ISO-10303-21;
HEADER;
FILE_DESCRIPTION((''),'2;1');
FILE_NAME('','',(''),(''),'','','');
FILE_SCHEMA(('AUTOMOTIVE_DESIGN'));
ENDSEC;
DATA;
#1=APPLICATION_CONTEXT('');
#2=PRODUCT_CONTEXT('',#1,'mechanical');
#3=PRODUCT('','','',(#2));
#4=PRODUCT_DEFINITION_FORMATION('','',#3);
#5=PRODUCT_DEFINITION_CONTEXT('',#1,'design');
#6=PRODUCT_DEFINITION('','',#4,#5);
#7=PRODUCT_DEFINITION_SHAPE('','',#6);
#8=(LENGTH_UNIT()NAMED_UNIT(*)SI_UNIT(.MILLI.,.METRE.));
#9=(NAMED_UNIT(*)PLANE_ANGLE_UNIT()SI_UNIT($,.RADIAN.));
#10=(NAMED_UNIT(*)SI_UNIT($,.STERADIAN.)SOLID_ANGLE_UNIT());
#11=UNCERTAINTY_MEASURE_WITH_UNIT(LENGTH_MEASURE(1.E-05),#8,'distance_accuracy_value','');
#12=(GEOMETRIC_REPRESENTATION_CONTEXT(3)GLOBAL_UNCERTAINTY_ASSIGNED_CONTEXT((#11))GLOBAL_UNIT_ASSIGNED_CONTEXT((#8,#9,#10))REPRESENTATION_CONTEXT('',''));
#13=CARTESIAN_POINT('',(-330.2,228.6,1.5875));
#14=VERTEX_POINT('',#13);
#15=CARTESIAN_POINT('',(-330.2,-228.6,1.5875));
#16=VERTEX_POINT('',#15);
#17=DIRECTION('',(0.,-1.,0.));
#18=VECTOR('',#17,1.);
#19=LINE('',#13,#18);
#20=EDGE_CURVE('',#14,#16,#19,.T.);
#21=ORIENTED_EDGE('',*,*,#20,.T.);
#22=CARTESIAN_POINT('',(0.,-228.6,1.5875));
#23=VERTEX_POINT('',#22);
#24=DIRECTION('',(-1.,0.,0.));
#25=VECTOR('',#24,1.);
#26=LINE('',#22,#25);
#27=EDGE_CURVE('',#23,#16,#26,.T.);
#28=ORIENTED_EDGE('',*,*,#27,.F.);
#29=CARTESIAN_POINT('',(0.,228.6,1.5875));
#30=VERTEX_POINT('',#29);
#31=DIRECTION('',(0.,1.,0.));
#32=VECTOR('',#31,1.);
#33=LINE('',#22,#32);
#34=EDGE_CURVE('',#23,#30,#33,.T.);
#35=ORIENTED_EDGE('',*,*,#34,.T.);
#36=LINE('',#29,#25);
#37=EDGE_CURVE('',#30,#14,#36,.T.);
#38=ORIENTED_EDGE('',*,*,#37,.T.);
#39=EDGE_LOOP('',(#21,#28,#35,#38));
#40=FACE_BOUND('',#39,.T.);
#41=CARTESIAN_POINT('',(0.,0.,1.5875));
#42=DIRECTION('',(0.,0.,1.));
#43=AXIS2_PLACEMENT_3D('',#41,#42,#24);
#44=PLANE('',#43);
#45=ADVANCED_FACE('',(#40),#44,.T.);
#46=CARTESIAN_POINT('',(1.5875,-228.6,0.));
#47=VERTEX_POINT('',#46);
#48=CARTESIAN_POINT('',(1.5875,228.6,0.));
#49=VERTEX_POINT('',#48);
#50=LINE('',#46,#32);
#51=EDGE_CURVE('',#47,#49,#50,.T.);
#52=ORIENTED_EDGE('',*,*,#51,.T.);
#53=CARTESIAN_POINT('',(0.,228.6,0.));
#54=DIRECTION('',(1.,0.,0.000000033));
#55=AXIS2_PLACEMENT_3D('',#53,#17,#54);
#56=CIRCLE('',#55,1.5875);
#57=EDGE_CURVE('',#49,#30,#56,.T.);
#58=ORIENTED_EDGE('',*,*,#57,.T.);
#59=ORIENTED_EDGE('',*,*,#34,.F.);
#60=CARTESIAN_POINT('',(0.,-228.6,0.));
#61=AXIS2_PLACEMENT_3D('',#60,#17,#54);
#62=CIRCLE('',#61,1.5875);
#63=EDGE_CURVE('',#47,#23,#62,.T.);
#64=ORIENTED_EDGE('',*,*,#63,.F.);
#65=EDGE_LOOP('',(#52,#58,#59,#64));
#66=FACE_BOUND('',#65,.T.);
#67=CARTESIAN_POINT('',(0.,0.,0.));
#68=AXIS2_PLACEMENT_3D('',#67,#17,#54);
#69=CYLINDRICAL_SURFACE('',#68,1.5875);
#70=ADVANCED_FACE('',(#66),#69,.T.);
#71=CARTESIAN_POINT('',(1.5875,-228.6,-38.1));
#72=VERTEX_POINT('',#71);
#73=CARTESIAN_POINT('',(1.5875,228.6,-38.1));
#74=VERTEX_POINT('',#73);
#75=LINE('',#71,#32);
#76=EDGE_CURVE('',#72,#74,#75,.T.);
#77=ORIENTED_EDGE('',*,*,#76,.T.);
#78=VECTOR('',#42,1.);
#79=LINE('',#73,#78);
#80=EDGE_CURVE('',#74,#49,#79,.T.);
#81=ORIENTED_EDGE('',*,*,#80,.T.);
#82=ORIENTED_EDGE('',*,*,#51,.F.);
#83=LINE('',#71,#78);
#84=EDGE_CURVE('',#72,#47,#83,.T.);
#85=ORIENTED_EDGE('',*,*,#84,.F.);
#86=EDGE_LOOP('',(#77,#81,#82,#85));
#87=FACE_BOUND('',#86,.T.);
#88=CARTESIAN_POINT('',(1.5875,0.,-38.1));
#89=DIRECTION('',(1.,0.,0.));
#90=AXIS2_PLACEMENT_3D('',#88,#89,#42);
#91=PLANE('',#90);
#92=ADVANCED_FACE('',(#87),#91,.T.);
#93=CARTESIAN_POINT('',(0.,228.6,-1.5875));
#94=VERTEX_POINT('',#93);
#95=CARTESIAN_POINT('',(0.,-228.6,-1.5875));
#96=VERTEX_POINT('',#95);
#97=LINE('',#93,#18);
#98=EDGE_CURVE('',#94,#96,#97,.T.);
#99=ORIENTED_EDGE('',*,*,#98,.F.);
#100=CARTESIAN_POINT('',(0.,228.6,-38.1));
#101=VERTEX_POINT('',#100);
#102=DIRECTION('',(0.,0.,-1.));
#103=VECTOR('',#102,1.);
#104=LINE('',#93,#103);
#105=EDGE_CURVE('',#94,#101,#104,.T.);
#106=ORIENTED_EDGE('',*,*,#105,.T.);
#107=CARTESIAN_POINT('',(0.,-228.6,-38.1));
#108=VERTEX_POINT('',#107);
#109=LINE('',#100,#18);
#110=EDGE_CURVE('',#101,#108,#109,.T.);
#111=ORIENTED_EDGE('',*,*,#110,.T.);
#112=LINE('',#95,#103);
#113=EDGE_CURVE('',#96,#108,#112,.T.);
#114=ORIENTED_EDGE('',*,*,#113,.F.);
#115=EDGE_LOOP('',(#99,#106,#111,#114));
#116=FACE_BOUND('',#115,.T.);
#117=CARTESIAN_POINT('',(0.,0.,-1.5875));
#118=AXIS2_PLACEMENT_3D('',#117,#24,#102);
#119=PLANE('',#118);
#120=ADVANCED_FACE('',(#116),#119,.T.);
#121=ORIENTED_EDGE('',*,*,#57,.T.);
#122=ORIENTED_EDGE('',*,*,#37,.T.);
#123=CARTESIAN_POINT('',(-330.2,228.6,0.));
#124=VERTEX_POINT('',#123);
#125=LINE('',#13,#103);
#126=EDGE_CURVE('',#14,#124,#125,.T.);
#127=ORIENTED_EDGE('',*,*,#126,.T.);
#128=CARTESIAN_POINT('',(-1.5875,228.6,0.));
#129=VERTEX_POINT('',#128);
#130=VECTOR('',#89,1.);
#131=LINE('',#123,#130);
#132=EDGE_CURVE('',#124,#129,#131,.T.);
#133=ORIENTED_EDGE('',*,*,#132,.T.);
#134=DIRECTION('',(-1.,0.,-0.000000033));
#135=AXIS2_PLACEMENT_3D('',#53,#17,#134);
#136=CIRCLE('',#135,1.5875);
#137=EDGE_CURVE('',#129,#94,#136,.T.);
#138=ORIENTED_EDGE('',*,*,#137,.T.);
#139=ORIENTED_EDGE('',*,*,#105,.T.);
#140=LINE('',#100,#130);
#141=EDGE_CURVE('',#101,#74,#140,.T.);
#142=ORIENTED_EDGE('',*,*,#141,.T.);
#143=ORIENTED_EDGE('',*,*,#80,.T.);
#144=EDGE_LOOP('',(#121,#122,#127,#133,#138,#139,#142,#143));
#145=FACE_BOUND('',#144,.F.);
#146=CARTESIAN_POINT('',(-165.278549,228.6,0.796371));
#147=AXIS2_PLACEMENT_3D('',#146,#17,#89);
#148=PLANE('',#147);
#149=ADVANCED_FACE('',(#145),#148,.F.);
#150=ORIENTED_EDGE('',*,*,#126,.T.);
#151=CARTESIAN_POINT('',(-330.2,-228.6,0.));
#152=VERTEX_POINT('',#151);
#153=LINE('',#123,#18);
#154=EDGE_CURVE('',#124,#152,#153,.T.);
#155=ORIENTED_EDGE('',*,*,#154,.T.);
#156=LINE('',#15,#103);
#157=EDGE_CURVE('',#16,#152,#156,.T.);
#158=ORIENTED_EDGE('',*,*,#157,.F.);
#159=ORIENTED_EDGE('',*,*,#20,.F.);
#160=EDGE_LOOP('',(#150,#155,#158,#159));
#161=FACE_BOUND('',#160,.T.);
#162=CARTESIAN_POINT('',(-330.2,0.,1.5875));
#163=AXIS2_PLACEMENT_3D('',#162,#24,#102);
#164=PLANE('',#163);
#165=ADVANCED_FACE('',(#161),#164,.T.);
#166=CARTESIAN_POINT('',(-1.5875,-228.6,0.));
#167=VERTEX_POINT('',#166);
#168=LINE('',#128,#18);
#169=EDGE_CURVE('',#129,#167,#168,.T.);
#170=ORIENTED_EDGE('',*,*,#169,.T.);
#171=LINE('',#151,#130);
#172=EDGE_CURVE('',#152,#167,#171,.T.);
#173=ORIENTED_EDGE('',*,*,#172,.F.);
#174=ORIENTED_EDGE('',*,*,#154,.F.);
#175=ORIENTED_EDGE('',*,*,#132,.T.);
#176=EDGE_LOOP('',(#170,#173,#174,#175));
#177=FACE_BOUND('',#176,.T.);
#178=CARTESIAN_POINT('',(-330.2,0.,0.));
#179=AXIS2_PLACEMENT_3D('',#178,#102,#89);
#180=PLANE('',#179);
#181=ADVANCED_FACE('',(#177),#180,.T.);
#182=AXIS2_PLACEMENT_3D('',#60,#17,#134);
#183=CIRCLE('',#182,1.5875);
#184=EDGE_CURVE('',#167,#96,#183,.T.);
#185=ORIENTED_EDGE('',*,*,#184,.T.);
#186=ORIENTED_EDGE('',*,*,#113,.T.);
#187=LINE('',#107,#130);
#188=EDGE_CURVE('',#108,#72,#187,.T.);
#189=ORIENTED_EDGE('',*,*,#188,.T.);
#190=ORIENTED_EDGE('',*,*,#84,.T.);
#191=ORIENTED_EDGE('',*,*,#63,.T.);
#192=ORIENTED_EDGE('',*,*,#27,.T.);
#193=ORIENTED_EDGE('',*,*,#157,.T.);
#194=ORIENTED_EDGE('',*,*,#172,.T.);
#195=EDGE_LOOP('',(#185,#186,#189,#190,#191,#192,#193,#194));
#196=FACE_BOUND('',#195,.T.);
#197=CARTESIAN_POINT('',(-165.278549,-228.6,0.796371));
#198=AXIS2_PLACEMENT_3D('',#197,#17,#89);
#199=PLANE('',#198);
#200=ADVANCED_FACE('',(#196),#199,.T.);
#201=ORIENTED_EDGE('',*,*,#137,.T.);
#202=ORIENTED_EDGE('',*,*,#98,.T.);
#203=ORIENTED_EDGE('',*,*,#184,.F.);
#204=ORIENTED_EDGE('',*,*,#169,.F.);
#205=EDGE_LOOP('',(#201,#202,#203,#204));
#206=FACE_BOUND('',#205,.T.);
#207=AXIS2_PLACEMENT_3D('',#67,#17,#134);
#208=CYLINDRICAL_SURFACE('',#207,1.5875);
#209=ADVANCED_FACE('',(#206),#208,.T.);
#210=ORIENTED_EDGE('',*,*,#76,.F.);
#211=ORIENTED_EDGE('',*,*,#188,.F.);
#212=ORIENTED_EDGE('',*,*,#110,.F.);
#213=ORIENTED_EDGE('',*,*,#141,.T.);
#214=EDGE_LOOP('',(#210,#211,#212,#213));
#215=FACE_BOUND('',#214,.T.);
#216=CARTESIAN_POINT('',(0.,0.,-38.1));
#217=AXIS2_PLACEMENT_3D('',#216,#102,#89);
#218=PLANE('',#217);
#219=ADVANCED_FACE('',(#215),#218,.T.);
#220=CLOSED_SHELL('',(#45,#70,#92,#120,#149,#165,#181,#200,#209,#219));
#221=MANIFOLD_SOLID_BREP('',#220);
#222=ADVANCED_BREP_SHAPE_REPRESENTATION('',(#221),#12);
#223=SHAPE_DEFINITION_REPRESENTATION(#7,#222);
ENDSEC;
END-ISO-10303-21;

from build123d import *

# Parameters (mm, degrees)
F1_DEPTH = 228.6


with BuildPart() as f1:
    # F0 (on Front) → F1 (new body, symmetric)
    with BuildSketch(Plane.XZ):
        with BuildLine():
            ThreePointArc((-1.5875, 0), (-1.122532, 1.122532), (0, 1.5875))
            Line((0, 1.5875), (-330.2, 1.5875))
            Line((-330.2, 1.5875), (-330.2, 0))
            Line((-330.2, 0), (-1.5875, 0))
        make_face()
        with BuildLine():
            Line((1.5875, -38.1), (1.5875, 0))
            ThreePointArc((1.5875, 0), (1.122532, -1.122532), (0, -1.5875))
            Line((0, -1.5875), (0, -38.1))
            Line((0, -38.1), (1.5875, -38.1))
        make_face()
        with BuildLine():
            ThreePointArc((0, -1.5875), (1.122532, -1.122532), (1.5875, 0))
            ThreePointArc((1.5875, 0), (1.122532, 1.122532), (0, 1.5875))
            ThreePointArc((0, 1.5875), (-1.122532, 1.122532), (-1.5875, 0))
            ThreePointArc((-1.5875, 0), (-1.122532, -1.122532), (0, -1.5875))
        make_face()
    extrude(amount=F1_DEPTH, both=True)


solid = f1.part
